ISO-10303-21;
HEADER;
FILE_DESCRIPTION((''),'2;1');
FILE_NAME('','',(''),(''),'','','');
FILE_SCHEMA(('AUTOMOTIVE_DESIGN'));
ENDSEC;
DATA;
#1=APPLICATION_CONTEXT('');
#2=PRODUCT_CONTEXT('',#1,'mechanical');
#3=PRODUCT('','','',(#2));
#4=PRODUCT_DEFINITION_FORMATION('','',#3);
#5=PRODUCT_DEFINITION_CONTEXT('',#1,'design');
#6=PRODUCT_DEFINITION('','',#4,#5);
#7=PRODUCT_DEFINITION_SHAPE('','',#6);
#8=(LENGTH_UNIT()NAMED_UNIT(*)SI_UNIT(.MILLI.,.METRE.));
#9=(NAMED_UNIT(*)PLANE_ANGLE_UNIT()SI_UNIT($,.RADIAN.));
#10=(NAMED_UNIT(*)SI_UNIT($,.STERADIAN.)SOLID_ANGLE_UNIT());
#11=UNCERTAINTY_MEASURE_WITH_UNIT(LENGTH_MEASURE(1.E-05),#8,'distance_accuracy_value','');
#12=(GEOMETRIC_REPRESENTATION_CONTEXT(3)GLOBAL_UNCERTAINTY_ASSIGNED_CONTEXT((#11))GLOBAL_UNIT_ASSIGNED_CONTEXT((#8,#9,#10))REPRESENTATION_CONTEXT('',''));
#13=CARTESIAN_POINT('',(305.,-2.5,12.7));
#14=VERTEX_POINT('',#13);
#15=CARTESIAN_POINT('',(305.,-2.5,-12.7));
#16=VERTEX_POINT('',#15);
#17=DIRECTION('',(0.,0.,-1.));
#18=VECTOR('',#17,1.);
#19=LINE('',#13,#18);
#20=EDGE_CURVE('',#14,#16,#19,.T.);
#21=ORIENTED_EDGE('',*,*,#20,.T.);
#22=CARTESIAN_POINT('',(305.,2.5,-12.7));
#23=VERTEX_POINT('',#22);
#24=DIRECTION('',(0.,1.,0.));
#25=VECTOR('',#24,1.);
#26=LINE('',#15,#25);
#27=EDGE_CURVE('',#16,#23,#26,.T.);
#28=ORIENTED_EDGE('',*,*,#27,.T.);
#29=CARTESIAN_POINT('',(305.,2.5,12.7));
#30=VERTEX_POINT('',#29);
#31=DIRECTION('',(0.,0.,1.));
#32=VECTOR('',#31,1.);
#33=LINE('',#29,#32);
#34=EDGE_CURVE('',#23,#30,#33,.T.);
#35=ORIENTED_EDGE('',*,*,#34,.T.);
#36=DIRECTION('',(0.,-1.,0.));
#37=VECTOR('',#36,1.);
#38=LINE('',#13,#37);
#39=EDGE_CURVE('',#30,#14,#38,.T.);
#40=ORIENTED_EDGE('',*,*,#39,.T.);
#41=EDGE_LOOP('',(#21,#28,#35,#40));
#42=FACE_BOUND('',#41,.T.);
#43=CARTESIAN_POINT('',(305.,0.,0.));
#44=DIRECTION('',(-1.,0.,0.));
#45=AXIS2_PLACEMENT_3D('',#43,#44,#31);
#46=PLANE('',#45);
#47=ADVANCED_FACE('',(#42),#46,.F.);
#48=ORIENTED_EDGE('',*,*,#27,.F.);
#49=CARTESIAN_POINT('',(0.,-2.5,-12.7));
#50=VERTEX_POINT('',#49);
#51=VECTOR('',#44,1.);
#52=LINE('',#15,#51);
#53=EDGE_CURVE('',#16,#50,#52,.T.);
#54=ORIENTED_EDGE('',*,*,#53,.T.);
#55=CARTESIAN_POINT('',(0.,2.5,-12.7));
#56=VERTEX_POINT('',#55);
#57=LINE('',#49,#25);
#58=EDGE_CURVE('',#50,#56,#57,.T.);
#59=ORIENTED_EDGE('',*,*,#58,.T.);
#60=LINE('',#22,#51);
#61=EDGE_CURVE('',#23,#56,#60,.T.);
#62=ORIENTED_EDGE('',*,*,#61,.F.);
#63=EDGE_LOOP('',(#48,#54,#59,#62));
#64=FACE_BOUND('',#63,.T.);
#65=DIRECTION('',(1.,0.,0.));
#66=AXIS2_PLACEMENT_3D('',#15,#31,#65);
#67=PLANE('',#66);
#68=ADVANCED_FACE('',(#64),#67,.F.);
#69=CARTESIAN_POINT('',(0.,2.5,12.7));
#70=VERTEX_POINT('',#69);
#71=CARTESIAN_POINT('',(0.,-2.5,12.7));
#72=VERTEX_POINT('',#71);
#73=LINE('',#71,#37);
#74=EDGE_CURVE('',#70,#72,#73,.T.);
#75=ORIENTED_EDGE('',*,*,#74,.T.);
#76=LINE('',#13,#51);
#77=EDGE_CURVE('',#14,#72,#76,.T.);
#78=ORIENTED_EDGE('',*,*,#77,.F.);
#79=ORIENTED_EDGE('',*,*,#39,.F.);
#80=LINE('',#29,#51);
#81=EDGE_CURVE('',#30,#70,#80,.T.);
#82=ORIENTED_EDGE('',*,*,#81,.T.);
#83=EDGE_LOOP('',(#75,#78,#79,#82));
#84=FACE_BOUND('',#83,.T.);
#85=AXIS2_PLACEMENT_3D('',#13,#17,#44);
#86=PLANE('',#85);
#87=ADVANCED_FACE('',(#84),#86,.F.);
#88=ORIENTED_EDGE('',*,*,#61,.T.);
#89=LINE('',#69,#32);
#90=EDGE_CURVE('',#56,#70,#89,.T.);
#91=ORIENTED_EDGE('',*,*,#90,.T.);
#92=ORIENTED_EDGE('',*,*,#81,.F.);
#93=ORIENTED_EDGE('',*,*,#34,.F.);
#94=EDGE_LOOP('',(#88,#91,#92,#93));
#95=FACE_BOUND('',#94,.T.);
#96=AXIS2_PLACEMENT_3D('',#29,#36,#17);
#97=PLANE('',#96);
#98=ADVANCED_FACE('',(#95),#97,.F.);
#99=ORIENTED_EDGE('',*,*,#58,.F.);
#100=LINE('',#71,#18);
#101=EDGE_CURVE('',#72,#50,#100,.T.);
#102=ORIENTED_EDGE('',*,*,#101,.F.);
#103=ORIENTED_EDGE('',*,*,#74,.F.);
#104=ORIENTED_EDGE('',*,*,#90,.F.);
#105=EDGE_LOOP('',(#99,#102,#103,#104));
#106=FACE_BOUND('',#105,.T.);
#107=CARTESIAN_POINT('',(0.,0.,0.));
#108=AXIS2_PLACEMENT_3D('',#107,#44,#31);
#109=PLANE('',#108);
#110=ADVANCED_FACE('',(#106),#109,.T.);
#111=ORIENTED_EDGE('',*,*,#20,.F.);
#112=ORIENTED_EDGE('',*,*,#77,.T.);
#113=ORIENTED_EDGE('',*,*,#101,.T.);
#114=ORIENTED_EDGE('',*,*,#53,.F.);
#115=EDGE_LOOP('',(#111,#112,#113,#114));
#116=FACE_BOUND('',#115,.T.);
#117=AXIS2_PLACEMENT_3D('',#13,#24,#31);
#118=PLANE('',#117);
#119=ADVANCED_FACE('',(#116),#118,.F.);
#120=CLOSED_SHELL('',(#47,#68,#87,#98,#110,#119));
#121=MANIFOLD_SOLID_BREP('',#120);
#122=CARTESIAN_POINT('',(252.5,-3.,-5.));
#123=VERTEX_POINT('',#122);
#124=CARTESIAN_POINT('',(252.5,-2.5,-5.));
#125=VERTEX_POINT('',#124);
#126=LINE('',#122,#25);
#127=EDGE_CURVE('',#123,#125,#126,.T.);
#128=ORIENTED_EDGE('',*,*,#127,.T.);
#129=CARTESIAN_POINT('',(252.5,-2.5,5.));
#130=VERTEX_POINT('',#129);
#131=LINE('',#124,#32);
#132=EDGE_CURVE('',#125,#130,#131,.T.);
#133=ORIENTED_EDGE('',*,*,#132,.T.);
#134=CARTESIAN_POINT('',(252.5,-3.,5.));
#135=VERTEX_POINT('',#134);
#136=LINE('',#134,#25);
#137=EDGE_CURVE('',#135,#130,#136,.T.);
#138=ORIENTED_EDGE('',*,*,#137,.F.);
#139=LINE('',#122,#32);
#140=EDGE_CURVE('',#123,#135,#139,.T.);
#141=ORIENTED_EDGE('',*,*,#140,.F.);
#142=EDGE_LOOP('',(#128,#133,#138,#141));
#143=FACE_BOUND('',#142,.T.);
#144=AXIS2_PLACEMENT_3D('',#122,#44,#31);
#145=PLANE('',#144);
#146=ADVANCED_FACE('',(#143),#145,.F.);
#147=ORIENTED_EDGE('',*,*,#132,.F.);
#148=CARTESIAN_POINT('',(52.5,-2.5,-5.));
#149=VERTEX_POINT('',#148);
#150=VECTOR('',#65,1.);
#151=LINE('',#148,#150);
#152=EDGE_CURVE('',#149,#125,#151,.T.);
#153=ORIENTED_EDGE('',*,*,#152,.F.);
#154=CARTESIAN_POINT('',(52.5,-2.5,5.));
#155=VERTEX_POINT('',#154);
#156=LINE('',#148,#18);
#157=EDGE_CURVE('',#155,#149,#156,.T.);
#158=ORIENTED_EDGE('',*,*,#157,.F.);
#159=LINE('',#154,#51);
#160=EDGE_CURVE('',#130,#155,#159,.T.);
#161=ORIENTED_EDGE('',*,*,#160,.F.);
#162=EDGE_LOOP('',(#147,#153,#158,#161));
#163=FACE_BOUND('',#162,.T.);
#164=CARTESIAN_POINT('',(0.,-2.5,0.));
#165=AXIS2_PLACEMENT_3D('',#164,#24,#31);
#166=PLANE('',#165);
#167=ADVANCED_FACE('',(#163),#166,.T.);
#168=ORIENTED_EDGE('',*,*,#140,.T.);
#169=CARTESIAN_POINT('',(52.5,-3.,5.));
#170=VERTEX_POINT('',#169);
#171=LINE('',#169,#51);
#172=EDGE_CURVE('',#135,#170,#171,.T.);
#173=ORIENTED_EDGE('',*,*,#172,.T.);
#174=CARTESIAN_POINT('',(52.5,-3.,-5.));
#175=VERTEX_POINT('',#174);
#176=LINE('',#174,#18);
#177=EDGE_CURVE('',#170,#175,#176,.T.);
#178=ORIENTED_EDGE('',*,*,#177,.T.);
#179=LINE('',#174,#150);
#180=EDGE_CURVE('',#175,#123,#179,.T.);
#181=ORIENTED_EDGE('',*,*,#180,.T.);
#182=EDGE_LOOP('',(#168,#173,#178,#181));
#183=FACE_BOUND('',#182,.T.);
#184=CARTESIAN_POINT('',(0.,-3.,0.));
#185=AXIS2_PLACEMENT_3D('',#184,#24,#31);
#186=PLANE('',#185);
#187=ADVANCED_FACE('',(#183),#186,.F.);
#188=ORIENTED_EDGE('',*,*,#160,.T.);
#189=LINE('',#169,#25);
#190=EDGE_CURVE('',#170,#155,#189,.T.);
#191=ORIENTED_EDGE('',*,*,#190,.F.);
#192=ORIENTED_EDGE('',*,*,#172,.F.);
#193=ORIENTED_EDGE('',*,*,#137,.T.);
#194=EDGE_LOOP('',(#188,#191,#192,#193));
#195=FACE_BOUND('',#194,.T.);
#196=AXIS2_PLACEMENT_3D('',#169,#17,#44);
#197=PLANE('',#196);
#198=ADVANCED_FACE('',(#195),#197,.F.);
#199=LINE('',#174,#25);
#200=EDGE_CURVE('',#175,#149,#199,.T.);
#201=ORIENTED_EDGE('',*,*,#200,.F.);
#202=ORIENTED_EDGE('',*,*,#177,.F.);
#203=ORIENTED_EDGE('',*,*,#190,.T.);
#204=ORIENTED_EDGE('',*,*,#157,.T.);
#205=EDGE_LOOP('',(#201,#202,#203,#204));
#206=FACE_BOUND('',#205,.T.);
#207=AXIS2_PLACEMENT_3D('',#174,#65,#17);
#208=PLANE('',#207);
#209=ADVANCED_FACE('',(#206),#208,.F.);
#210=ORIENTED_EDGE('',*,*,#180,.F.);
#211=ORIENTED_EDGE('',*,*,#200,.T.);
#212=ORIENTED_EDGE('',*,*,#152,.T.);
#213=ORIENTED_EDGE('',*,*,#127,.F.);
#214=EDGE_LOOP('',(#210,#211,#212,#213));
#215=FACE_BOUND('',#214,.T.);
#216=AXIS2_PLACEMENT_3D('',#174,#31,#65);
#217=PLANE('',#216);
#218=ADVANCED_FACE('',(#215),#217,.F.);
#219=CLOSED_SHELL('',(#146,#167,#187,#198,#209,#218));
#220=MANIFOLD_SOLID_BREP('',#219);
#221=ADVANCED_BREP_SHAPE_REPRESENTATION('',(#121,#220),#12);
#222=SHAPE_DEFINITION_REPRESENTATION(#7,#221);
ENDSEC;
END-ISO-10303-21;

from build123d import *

# Parameters (mm, degrees)
SKETCH1_W           = 25.4
SKETCH1_H           = 5
BOSS_EXTRUDE1_DEPTH = 305
SKETCH2_W           = 200
SKETCH2_H           = 10
BOSS_EXTRUDE2_DEPTH = 0.5


with BuildPart() as part:
    # Sketch1 → Boss-Extrude1 (new body)
    with BuildSketch(Plane(origin=(0, 0, 0), x_dir=(0, 0, -1), z_dir=(1, 0, 0))):
        Rectangle(SKETCH1_W, SKETCH1_H)
    extrude(amount=BOSS_EXTRUDE1_DEPTH)


with BuildPart() as body_2:
    # Sketch2 → Boss-Extrude2 (new body)
    with BuildSketch(Plane.XZ.offset(2.5)):
        with Locations((152.5, 0)):
            Rectangle(SKETCH2_W, SKETCH2_H)
    extrude(amount=BOSS_EXTRUDE2_DEPTH)


solid = Compound([part.part, body_2.part])
